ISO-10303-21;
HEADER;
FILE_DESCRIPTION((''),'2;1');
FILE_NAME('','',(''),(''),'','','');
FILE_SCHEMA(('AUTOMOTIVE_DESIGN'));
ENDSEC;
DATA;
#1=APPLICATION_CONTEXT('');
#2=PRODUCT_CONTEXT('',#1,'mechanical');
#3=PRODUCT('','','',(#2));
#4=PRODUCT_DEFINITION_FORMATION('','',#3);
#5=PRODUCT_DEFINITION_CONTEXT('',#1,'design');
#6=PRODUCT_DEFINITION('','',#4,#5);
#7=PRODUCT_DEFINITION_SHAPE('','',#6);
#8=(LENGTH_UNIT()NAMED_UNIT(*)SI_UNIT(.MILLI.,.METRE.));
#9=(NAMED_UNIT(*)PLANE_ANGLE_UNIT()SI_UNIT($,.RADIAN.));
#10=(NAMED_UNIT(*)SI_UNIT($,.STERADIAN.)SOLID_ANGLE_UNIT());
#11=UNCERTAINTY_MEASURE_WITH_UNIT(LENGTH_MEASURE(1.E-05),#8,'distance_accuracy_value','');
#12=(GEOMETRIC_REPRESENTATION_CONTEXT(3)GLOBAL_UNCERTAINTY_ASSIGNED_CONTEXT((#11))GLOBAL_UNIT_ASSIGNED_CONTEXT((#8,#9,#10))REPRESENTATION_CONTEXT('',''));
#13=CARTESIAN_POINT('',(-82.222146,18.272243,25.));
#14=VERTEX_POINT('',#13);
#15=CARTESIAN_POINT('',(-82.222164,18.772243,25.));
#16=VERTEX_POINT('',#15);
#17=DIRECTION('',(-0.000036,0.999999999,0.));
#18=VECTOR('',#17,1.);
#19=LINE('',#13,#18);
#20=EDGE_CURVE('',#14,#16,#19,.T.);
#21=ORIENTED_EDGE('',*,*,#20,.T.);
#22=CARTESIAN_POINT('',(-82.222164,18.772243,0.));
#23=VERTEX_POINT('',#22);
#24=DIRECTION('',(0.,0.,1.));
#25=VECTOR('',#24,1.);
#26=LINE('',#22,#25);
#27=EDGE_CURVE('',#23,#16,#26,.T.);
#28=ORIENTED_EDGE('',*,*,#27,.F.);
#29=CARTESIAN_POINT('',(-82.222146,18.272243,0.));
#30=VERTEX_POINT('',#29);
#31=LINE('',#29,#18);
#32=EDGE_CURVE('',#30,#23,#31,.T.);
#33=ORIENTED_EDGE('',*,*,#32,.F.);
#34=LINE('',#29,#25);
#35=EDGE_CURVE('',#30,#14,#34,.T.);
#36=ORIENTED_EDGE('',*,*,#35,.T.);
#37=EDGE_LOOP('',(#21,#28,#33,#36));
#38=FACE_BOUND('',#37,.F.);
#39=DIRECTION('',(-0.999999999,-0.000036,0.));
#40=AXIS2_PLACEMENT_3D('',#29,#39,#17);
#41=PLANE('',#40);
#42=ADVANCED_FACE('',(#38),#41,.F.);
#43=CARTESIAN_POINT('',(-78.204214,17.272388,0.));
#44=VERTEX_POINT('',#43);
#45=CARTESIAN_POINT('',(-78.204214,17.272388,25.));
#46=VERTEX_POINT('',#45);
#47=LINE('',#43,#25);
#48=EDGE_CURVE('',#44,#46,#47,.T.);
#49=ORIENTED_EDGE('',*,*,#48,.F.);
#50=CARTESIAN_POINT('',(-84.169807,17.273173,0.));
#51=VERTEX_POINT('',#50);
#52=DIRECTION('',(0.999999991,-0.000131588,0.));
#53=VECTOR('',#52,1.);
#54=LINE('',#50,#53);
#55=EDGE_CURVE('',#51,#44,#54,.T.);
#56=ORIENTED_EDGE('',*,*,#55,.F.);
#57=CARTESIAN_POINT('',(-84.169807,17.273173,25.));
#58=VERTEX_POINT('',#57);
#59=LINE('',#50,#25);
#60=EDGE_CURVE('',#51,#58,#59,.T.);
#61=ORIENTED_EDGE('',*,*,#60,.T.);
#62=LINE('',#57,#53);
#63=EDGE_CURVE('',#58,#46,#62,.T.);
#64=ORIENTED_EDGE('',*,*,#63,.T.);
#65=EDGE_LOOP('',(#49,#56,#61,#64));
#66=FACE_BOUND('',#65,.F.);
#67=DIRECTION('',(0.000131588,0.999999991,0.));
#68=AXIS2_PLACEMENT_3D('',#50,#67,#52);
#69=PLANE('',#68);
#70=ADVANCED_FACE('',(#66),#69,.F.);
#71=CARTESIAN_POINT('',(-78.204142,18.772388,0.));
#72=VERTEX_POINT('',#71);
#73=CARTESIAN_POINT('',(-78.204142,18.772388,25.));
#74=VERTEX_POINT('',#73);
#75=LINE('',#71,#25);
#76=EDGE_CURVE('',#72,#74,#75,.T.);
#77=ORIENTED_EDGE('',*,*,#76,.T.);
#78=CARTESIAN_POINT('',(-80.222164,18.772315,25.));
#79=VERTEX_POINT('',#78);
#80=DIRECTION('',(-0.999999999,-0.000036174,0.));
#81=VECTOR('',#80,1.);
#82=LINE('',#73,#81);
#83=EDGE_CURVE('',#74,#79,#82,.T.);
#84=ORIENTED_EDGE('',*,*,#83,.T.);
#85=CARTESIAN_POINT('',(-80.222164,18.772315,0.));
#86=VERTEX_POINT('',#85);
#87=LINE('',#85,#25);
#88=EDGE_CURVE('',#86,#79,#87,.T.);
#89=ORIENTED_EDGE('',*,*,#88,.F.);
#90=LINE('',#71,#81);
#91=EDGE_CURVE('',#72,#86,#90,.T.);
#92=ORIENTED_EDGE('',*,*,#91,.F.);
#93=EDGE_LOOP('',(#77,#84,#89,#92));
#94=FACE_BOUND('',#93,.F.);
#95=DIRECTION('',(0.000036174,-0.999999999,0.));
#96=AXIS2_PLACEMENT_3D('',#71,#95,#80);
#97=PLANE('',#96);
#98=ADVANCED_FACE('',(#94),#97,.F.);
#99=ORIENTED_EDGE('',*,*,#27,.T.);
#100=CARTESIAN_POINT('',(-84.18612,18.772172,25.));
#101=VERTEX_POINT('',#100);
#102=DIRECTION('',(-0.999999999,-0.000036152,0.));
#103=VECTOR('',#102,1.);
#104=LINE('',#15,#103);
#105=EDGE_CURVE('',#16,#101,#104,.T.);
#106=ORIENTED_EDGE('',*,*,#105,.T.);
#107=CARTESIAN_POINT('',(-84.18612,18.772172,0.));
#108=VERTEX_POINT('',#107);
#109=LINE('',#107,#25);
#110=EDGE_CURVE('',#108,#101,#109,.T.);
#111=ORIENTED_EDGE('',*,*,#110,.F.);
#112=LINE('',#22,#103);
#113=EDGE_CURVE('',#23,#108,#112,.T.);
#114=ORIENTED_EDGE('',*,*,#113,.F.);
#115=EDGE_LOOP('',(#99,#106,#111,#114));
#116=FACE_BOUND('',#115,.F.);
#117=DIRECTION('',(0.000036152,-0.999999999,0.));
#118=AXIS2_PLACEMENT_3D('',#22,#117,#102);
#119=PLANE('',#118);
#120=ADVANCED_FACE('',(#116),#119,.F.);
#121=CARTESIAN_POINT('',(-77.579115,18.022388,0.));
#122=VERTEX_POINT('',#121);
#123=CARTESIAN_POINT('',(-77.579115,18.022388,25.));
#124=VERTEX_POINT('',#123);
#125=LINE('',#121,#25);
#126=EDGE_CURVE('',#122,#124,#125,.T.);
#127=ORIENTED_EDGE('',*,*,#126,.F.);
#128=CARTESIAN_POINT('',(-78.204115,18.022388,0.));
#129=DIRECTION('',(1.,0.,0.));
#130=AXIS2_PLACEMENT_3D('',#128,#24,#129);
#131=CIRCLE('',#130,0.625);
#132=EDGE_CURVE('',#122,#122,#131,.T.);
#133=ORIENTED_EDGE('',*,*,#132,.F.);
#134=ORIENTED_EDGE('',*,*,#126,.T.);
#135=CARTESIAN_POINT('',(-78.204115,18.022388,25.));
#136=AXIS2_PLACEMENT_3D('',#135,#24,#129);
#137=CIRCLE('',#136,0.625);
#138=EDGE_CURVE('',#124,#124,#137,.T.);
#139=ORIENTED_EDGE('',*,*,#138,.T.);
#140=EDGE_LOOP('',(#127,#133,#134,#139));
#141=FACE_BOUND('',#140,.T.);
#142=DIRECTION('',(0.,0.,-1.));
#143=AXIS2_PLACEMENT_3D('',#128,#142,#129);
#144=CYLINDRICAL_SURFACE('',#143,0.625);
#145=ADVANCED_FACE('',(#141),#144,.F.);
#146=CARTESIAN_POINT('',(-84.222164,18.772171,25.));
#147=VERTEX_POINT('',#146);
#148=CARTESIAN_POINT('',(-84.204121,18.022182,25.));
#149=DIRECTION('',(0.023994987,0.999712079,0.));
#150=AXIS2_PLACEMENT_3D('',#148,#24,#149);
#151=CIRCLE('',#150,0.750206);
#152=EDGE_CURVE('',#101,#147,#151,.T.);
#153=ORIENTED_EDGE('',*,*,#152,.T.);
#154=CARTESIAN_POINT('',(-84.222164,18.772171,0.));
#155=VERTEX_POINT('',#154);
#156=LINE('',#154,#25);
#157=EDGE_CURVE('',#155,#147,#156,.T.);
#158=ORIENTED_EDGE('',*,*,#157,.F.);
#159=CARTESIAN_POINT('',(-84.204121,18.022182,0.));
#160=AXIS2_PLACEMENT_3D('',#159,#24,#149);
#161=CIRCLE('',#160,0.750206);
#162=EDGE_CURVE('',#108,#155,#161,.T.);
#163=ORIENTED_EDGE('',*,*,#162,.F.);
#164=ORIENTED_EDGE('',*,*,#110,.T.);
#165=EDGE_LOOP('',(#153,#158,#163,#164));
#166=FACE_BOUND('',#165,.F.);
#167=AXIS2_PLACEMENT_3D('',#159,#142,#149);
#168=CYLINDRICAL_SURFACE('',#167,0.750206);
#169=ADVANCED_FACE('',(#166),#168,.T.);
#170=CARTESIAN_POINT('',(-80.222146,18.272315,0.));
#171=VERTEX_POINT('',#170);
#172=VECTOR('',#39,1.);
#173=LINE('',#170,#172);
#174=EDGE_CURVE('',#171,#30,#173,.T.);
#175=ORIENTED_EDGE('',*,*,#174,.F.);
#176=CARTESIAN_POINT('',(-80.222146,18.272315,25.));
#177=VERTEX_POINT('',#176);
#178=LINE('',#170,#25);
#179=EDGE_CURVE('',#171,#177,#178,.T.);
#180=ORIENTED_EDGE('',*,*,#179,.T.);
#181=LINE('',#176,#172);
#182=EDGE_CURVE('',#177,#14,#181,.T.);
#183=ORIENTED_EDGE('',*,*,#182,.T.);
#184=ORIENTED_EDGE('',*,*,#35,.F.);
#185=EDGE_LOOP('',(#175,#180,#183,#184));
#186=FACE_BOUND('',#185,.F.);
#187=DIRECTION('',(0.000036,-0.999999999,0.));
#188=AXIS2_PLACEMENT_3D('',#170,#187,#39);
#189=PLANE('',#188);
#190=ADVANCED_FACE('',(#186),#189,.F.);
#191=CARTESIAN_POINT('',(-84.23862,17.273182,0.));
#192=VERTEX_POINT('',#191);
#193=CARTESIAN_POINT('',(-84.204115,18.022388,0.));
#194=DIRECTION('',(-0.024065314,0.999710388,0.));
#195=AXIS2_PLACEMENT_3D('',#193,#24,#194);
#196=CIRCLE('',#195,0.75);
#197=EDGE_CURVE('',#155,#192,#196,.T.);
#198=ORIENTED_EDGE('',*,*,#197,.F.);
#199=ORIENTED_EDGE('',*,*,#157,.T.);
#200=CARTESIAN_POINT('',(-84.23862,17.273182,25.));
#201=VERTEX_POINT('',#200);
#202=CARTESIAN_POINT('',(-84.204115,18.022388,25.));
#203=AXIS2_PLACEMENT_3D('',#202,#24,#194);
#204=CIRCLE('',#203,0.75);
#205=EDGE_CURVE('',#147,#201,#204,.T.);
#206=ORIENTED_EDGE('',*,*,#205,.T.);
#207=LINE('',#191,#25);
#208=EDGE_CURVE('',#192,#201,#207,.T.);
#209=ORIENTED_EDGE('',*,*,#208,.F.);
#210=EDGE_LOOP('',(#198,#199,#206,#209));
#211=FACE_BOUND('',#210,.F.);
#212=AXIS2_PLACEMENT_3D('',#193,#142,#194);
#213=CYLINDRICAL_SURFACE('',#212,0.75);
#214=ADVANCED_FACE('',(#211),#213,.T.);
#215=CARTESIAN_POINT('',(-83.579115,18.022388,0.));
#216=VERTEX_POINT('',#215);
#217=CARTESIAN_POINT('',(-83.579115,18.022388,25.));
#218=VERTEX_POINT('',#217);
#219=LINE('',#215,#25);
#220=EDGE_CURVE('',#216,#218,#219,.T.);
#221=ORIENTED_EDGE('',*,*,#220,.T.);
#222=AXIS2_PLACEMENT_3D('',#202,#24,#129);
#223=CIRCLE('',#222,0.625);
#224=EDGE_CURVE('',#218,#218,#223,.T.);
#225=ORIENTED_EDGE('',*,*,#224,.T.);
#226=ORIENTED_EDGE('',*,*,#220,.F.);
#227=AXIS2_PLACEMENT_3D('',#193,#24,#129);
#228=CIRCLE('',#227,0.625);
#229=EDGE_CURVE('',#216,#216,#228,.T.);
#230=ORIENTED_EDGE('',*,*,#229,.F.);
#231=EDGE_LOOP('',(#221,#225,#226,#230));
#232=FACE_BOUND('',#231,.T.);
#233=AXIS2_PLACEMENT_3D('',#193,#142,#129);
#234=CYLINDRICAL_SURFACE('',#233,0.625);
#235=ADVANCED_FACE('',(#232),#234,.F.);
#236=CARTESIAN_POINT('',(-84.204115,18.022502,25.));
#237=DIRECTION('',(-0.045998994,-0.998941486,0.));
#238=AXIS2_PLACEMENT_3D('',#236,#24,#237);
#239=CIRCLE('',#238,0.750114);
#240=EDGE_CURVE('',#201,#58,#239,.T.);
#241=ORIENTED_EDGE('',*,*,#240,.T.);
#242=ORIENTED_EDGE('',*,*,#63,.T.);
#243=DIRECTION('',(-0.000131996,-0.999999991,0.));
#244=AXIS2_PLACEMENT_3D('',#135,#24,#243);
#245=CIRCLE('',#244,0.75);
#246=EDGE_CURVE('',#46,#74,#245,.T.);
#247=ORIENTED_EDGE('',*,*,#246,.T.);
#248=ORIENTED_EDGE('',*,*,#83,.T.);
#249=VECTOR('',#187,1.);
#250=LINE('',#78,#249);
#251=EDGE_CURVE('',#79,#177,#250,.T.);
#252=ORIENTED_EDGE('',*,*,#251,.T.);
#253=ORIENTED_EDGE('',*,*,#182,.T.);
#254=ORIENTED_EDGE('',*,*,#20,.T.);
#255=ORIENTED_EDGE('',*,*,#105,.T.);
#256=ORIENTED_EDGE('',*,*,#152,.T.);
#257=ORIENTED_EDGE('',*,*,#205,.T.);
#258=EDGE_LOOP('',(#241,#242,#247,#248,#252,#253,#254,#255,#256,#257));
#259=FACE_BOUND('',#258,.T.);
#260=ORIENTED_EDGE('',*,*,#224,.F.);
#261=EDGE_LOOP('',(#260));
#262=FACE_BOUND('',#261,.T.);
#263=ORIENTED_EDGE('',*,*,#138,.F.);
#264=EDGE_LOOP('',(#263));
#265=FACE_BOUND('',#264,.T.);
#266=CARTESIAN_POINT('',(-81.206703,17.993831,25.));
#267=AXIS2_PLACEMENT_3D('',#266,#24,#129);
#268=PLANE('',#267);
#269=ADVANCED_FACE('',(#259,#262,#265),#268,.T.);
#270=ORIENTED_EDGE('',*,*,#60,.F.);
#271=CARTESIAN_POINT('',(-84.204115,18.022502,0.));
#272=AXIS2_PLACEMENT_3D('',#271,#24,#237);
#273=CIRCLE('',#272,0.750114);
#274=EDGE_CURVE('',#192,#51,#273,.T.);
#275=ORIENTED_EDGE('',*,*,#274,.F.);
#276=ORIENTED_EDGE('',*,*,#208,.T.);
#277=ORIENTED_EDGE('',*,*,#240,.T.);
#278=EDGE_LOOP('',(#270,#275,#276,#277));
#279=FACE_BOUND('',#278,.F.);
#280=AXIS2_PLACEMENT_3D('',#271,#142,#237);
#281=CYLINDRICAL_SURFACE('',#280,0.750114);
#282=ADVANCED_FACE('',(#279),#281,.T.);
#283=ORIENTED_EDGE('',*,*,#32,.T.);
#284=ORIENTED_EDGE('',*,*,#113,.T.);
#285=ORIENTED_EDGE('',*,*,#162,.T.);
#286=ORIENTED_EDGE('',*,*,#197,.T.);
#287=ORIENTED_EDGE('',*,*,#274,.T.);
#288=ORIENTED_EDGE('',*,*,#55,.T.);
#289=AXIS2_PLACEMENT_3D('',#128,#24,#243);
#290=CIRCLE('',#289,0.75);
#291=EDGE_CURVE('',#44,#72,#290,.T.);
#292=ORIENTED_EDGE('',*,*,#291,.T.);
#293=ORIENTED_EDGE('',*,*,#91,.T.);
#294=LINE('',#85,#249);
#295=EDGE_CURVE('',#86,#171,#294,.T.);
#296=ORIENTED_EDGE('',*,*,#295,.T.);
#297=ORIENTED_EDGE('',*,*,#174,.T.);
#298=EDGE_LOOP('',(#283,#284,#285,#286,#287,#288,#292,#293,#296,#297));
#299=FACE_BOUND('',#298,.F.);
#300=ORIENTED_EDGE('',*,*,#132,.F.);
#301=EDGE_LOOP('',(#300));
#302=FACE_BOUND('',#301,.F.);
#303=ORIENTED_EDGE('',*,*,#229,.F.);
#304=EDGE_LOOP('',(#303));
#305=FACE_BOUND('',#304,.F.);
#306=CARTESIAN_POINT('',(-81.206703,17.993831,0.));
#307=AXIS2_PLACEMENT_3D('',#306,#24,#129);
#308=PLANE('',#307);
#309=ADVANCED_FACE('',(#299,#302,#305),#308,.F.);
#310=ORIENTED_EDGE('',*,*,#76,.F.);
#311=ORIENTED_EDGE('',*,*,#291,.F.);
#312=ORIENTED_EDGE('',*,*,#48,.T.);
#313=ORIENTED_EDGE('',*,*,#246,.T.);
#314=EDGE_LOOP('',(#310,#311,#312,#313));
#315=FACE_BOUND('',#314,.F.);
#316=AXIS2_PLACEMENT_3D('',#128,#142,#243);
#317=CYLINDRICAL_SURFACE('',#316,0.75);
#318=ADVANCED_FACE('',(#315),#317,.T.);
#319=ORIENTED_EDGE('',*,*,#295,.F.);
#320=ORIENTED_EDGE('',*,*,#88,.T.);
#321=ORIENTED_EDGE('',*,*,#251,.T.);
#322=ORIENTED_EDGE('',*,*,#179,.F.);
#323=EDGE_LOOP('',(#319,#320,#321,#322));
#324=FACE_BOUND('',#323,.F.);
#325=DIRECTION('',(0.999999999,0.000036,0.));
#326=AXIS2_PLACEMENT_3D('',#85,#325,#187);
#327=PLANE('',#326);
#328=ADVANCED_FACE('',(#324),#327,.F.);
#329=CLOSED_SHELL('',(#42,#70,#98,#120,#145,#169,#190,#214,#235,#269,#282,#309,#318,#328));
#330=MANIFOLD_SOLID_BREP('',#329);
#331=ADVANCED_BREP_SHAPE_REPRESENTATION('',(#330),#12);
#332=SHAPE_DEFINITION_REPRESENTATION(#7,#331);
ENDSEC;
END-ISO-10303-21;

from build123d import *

# Parameters (mm, degrees)
F0_R     = 0.625
F1_DEPTH = 25


with BuildPart() as f1:
    # F0 (on Top) → F1 (new body)
    with BuildSketch(Plane.XY):
        with BuildLine():
            Line((-84.169807, 17.273173), (-78.204214, 17.272388))
            ThreePointArc((-78.204214, 17.272388), (-77.454115, 18.022352), (-78.204142, 18.772388))
            Line((-78.204142, 18.772388), (-80.222164, 18.772315))
            Line((-80.222164, 18.772315), (-80.222146, 18.272315))
            Line((-80.222146, 18.272315), (-82.222146, 18.272243))
            Line((-82.222146, 18.272243), (-82.222164, 18.772243))
            Line((-82.222164, 18.772243), (-84.18612, 18.772172))
            Line((-84.18612, 18.772172), (-84.222164, 18.772171))
            ThreePointArc((-84.222164, 18.772171), (-84.95407, 18.030621), (-84.23862, 17.273182))
            Line((-84.23862, 17.273182), (-84.169807, 17.273173))
        make_face()
        with Locations((-84.204115, 18.022388)):
            Circle(F0_R, mode=Mode.SUBTRACT)
        with Locations((-78.204115, 18.022388)):
            Circle(F0_R, mode=Mode.SUBTRACT)
        with BuildLine():
            ThreePointArc((-84.23862, 17.273182), (-84.204214, 17.272388), (-84.169807, 17.273173))
            Line((-84.169807, 17.273173), (-84.23862, 17.273182))
        make_face()
        with BuildLine():
            ThreePointArc((-84.18612, 18.772172), (-84.204142, 18.772388), (-84.222164, 18.772171))
            Line((-84.222164, 18.772171), (-84.18612, 18.772172))
        make_face()
    extrude(amount=F1_DEPTH)


solid = f1.part
